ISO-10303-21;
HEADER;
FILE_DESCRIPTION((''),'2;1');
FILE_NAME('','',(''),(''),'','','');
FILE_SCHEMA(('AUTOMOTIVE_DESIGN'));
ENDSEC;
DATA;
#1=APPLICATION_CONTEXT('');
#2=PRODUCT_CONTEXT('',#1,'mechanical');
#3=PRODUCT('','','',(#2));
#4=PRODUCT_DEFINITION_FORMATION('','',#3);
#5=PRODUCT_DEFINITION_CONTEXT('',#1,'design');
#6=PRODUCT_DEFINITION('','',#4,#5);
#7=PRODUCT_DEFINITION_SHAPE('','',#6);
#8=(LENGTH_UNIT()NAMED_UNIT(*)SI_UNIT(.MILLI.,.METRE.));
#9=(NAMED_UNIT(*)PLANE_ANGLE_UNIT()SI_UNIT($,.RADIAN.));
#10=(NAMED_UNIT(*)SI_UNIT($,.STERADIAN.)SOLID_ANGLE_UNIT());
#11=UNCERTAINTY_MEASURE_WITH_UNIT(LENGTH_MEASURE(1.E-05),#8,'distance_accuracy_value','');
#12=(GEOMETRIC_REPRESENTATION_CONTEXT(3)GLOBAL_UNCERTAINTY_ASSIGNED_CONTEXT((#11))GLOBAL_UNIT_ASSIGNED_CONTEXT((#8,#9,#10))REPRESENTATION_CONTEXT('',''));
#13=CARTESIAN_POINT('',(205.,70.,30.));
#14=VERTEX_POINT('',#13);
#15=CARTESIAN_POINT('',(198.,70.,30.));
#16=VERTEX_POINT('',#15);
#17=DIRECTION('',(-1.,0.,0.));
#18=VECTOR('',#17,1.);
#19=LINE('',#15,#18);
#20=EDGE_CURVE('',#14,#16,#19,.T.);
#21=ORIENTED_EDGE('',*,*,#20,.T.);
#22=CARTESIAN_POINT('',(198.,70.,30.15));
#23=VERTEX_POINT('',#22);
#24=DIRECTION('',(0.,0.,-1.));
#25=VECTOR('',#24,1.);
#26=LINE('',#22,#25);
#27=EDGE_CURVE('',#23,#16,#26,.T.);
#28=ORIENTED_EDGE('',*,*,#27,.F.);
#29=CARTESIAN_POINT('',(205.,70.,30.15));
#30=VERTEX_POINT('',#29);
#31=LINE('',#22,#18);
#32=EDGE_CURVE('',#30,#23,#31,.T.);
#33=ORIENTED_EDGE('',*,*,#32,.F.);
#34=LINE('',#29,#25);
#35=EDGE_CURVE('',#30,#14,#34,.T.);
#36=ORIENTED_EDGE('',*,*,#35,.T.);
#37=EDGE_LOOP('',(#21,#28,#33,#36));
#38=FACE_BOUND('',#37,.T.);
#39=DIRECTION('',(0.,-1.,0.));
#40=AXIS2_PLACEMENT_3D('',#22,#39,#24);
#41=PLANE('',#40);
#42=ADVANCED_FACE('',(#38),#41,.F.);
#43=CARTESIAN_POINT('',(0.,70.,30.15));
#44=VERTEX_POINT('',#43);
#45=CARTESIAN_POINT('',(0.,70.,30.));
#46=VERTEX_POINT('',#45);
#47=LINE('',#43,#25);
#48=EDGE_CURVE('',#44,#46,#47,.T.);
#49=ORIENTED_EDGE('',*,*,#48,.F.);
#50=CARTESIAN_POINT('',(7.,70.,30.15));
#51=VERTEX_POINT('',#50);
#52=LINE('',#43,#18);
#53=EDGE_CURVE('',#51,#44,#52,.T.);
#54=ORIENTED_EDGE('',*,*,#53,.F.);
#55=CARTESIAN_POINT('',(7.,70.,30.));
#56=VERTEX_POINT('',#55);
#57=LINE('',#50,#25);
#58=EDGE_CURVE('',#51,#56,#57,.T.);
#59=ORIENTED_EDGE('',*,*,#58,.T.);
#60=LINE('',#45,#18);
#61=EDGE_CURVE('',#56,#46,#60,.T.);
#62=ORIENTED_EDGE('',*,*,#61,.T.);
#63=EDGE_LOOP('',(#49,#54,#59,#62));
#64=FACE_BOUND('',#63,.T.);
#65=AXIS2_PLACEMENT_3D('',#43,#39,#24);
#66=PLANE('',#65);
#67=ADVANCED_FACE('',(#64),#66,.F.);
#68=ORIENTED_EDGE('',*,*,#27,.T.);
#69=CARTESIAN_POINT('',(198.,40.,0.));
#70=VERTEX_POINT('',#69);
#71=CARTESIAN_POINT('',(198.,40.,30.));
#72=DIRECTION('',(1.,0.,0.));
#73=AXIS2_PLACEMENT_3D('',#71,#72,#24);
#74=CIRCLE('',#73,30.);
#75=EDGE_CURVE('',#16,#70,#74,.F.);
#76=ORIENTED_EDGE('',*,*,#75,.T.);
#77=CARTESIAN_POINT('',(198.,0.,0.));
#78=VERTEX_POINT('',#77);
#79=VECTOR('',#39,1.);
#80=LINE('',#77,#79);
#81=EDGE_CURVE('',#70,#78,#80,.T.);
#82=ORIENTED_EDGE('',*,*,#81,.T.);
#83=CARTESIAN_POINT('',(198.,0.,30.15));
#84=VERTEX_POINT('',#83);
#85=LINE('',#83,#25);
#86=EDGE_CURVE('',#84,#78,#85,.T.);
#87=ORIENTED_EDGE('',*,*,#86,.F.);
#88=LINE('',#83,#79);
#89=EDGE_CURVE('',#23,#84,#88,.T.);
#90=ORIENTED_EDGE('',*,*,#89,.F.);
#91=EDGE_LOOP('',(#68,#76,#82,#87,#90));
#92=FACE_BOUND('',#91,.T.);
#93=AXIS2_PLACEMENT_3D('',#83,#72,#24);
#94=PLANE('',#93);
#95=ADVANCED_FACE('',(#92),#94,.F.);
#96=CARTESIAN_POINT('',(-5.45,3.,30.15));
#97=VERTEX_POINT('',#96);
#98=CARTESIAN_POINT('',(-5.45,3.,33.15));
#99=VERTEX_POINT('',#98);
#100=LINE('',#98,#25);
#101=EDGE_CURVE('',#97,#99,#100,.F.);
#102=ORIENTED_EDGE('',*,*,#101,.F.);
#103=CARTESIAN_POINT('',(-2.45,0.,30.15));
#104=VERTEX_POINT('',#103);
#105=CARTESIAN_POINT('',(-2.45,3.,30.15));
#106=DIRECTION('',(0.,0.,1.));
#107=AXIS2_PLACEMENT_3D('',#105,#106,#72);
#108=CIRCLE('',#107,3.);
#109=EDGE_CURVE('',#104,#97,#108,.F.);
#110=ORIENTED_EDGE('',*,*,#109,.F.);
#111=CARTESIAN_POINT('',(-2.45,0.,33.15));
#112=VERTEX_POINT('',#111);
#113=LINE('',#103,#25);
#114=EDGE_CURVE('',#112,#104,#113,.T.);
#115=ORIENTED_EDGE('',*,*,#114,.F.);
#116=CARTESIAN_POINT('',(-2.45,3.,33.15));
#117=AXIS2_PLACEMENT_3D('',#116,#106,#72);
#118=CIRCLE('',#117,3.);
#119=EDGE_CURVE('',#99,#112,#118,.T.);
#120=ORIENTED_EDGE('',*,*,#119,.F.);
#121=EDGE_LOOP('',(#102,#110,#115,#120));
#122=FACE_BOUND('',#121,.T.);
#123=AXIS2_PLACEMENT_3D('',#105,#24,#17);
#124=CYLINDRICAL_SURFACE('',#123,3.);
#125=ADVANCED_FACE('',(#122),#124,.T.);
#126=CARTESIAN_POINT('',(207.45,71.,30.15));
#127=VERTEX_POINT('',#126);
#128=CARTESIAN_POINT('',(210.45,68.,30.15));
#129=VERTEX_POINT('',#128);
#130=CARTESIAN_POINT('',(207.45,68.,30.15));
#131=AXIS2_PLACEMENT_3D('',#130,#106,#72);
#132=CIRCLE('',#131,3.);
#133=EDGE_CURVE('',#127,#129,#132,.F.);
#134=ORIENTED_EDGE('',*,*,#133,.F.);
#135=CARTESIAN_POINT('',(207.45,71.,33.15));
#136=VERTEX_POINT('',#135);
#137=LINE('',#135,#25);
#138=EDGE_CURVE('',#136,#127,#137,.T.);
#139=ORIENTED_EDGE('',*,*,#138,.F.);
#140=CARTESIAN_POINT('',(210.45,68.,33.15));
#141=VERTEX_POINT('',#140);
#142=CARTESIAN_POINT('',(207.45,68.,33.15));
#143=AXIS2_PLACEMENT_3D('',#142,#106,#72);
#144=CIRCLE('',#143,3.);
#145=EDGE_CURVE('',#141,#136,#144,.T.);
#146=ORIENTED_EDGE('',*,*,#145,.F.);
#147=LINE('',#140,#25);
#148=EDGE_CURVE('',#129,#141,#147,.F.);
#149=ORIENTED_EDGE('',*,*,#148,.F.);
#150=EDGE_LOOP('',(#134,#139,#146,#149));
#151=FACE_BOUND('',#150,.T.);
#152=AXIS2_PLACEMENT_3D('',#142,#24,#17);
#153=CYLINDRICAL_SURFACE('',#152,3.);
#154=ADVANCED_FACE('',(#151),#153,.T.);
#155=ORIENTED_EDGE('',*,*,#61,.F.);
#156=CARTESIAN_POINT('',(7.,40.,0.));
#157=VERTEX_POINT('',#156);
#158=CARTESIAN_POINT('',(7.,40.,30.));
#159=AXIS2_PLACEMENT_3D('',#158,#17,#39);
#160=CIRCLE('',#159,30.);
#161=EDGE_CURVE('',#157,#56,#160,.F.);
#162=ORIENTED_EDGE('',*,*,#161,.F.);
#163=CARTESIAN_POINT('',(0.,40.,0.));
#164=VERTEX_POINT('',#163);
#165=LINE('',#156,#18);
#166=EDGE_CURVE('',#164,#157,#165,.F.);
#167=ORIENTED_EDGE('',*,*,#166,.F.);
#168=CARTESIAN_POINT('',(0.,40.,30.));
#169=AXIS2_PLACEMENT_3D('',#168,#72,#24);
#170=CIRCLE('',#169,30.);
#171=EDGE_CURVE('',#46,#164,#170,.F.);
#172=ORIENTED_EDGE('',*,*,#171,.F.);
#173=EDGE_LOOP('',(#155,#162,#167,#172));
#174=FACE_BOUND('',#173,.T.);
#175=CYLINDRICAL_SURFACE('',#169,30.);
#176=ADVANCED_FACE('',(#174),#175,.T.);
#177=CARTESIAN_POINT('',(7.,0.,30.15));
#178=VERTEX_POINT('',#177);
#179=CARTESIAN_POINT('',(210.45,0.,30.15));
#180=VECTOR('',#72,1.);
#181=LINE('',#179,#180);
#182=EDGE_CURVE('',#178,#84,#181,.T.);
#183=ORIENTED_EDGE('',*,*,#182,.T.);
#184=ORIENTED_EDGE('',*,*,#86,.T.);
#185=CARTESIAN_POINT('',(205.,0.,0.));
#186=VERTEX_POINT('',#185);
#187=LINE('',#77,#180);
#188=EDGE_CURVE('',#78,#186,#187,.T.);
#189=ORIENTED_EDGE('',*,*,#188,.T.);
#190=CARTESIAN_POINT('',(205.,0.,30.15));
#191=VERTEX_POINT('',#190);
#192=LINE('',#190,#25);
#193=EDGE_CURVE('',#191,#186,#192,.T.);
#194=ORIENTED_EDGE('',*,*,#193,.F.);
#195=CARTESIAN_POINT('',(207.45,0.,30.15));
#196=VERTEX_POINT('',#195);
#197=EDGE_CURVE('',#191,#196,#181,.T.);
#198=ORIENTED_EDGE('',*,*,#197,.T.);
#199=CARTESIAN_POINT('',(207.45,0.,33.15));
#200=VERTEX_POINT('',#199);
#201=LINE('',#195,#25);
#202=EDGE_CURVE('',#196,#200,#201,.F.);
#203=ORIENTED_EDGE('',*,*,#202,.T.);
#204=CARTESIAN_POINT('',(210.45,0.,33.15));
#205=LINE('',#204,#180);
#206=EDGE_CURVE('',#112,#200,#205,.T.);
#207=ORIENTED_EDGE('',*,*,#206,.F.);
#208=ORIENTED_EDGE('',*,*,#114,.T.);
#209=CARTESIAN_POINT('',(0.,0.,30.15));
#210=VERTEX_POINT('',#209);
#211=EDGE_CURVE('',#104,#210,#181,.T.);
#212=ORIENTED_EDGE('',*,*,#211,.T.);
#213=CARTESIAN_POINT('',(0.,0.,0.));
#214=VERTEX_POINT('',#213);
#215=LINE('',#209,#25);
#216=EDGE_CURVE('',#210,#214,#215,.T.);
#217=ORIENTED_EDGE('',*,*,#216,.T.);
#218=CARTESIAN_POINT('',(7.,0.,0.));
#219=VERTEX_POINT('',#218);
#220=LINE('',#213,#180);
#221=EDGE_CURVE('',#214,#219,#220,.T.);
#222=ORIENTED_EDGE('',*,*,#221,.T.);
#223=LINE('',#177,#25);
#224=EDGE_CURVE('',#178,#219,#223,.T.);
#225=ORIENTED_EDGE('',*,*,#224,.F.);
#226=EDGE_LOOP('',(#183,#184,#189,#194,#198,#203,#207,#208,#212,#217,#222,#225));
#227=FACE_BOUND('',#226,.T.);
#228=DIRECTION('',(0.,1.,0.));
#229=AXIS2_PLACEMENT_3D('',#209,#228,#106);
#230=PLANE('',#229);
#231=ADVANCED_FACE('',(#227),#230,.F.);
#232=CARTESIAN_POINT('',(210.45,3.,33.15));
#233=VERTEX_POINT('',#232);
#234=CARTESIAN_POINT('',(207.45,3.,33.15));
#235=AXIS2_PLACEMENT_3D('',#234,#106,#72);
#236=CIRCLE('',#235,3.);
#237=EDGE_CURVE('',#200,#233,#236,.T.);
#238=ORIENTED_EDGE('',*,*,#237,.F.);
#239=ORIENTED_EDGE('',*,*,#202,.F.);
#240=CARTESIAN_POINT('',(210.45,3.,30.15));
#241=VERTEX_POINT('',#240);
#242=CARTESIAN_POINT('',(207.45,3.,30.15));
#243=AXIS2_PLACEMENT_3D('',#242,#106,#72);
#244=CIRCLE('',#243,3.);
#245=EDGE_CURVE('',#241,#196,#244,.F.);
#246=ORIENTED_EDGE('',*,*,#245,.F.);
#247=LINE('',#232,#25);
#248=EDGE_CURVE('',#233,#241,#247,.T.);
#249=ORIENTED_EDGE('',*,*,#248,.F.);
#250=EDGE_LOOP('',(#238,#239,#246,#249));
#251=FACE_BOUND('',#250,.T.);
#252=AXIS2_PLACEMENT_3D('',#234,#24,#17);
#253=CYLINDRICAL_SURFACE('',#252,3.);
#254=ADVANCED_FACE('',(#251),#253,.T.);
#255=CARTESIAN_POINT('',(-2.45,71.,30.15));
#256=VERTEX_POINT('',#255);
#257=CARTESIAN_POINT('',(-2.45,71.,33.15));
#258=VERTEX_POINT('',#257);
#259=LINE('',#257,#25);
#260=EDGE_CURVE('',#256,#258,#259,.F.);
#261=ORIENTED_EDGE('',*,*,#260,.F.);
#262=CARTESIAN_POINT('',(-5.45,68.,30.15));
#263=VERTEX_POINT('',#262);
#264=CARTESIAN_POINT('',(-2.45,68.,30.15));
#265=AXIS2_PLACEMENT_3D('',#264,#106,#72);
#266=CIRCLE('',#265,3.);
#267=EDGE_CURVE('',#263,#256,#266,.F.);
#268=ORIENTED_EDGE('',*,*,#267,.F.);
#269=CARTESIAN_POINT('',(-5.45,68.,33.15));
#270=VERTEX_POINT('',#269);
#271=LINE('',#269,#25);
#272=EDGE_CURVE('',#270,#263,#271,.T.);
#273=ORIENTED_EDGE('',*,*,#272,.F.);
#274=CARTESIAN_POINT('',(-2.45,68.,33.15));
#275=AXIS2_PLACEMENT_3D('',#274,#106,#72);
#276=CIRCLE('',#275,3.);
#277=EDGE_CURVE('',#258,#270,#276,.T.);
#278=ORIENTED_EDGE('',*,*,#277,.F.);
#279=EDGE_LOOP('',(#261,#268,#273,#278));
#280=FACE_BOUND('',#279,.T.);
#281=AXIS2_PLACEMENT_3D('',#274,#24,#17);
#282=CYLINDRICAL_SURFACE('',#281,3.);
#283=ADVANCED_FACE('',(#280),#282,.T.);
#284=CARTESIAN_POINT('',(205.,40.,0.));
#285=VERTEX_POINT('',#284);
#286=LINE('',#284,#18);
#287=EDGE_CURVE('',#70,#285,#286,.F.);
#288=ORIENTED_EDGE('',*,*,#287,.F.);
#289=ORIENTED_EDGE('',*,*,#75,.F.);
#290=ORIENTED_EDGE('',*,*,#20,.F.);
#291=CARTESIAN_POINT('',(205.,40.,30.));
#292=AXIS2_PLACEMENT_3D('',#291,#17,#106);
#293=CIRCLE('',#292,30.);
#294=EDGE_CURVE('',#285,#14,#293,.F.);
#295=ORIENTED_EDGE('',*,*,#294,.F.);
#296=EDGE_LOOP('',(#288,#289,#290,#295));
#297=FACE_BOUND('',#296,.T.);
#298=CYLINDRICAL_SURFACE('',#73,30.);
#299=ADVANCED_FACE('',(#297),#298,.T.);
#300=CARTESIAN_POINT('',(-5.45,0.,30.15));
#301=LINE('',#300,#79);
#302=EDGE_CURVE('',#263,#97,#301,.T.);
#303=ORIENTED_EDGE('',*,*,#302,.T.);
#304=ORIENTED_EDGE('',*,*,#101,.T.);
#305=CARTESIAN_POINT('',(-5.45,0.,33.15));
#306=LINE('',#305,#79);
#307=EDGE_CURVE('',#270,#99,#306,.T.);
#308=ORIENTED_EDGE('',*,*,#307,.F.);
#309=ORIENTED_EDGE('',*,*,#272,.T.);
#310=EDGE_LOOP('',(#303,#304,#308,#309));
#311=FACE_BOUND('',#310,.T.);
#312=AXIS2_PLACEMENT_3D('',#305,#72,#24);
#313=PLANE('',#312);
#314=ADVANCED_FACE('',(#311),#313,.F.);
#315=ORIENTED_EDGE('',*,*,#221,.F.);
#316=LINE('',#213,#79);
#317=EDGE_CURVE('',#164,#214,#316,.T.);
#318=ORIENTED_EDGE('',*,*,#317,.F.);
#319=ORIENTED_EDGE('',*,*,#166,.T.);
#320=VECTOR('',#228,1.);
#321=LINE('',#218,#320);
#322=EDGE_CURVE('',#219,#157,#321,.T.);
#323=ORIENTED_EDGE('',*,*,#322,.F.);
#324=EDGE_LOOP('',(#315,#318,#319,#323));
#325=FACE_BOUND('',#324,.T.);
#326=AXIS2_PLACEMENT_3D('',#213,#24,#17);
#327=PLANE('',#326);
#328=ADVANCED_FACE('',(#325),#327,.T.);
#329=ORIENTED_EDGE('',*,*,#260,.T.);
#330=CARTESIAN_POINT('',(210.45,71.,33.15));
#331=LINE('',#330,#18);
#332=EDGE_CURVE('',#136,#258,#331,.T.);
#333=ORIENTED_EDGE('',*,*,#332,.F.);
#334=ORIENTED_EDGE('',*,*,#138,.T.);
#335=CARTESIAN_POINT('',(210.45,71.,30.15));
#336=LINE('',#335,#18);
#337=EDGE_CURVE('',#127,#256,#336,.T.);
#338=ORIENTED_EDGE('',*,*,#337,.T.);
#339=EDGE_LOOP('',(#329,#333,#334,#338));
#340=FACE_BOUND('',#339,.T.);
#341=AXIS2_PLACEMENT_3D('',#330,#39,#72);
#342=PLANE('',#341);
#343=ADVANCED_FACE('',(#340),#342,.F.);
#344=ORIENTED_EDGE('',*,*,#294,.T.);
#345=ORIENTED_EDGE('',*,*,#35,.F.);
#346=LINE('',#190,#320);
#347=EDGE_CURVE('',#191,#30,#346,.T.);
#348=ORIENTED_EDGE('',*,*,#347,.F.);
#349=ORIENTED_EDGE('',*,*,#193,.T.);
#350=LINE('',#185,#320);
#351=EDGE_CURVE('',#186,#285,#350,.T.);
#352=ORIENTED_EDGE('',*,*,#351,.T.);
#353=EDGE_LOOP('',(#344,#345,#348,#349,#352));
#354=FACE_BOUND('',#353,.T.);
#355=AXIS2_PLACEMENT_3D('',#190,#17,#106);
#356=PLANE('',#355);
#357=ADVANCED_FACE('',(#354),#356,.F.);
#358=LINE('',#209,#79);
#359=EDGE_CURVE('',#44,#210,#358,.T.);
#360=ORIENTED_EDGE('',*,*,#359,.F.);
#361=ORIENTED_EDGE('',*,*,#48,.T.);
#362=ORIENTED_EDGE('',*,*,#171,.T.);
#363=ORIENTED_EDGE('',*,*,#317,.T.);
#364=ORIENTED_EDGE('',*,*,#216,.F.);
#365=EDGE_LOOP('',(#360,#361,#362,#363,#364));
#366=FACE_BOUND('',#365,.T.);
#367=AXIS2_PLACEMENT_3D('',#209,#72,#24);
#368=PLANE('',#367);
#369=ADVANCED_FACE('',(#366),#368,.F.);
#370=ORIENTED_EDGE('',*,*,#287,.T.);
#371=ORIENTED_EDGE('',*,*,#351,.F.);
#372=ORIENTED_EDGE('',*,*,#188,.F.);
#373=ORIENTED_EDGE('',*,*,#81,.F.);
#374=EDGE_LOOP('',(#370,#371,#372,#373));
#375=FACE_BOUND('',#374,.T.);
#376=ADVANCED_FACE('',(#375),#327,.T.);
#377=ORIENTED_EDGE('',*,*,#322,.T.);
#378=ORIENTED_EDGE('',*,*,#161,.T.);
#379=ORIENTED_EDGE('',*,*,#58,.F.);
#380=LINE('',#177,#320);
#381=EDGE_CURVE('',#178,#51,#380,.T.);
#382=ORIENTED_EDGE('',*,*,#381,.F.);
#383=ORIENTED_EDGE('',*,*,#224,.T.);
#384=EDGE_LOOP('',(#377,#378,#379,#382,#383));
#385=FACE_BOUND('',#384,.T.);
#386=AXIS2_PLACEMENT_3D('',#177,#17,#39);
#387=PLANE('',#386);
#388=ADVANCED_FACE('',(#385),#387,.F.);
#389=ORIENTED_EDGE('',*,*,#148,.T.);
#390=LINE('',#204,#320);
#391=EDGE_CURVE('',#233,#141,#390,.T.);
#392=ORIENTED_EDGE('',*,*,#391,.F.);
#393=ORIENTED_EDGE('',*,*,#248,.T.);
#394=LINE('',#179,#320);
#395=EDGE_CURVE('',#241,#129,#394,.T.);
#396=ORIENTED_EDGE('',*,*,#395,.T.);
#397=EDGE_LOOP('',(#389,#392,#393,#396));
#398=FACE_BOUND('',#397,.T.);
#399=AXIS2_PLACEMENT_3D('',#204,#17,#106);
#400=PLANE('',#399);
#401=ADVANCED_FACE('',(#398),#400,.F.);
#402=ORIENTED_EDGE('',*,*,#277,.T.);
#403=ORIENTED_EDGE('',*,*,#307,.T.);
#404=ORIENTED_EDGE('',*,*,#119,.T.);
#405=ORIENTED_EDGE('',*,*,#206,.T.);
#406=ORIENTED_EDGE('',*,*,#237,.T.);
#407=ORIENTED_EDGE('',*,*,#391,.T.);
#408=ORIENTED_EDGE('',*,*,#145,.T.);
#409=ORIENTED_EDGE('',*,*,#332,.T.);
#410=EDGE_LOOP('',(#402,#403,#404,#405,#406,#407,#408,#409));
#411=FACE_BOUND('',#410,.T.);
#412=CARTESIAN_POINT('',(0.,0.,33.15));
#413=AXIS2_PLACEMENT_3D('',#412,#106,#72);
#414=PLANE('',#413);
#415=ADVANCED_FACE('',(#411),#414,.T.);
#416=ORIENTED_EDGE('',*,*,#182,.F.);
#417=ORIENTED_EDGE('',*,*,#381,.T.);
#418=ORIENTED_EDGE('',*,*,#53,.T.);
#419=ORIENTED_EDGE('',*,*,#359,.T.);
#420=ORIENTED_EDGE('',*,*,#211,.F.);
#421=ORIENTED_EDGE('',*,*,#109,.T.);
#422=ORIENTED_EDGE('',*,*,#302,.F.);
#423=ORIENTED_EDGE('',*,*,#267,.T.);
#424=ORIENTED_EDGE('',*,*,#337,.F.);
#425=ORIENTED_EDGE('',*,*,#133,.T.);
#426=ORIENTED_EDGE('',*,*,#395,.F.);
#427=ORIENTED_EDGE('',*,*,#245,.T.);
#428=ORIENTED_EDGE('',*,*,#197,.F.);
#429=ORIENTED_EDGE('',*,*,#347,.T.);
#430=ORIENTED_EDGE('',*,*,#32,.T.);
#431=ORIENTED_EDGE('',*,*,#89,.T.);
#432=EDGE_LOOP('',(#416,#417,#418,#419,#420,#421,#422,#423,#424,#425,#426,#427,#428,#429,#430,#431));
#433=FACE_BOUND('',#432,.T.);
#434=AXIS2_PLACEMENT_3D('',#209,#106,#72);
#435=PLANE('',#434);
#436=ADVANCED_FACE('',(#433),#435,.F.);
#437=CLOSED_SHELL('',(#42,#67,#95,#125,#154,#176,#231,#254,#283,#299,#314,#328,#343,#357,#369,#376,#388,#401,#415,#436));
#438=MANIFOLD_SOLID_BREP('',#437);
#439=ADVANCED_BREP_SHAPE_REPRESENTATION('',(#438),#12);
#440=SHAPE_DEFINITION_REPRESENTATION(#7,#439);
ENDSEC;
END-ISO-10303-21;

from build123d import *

# Parameters (mm, degrees)
SKETCH_1_W        = 7
SKETCH_1_H        = 70
EXTRUDE_1_DEPTH   = 30.15
EXTRUDE_1_2_DEPTH = 30.15
FILLET_1_R        = 30
FILLET_2_R        = 30
SKETCH_2_W        = 215.9
SKETCH_2_H        = 71
EXTRUDE_2_DEPTH   = 3
FILLET_3_R        = 3


with BuildPart() as part:
    # 스케치1 → 보스-돌출1 (new body)
    with BuildSketch(Plane.XY):
        with Locations((3.5, 35)):
            Rectangle(SKETCH_1_W, SKETCH_1_H)
    extrude(amount=EXTRUDE_1_DEPTH)

    # 필렛2
    fillet_2_edges = [part.edges().sort_by_distance(p)[0] for p in [
        (3.5, 70, 0),
    ]]
    fillet(fillet_2_edges, radius=FILLET_2_R)



with BuildPart() as body_2:
    # 스케치1 → Extrude 1 2 (new body)
    with BuildSketch(Plane.XY):
        with Locations((201.5, 35)):
            Rectangle(SKETCH_1_W, SKETCH_1_H)
    extrude(amount=EXTRUDE_1_2_DEPTH)

    # 필렛1
    fillet_1_edges = [body_2.edges().sort_by_distance(p)[0] for p in [
        (201.5, 70, 0),
    ]]
    fillet(fillet_1_edges, radius=FILLET_1_R)


with BuildPart() as part_1:
    add(part.part)

    add(body_2.part)  # 보스-돌출2 merges body 2
    # 스케치2 → 보스-돌출2 (add)
    with BuildSketch(Plane.XY.offset(30.15)):
        with Locations((102.5, 35.5)):
            Rectangle(SKETCH_2_W, SKETCH_2_H)
    extrude(amount=EXTRUDE_2_DEPTH)

    # 필렛3
    fillet_3_edges = [part_1.edges().sort_by_distance(p)[0] for p in [
        (210.45, 0, 31.65),
        (210.45, 71, 31.65),
        (-5.45, 71, 31.65),
        (-5.45, 0, 31.65),
    ]]
    fillet(fillet_3_edges, radius=FILLET_3_R)


solid = part_1.part
